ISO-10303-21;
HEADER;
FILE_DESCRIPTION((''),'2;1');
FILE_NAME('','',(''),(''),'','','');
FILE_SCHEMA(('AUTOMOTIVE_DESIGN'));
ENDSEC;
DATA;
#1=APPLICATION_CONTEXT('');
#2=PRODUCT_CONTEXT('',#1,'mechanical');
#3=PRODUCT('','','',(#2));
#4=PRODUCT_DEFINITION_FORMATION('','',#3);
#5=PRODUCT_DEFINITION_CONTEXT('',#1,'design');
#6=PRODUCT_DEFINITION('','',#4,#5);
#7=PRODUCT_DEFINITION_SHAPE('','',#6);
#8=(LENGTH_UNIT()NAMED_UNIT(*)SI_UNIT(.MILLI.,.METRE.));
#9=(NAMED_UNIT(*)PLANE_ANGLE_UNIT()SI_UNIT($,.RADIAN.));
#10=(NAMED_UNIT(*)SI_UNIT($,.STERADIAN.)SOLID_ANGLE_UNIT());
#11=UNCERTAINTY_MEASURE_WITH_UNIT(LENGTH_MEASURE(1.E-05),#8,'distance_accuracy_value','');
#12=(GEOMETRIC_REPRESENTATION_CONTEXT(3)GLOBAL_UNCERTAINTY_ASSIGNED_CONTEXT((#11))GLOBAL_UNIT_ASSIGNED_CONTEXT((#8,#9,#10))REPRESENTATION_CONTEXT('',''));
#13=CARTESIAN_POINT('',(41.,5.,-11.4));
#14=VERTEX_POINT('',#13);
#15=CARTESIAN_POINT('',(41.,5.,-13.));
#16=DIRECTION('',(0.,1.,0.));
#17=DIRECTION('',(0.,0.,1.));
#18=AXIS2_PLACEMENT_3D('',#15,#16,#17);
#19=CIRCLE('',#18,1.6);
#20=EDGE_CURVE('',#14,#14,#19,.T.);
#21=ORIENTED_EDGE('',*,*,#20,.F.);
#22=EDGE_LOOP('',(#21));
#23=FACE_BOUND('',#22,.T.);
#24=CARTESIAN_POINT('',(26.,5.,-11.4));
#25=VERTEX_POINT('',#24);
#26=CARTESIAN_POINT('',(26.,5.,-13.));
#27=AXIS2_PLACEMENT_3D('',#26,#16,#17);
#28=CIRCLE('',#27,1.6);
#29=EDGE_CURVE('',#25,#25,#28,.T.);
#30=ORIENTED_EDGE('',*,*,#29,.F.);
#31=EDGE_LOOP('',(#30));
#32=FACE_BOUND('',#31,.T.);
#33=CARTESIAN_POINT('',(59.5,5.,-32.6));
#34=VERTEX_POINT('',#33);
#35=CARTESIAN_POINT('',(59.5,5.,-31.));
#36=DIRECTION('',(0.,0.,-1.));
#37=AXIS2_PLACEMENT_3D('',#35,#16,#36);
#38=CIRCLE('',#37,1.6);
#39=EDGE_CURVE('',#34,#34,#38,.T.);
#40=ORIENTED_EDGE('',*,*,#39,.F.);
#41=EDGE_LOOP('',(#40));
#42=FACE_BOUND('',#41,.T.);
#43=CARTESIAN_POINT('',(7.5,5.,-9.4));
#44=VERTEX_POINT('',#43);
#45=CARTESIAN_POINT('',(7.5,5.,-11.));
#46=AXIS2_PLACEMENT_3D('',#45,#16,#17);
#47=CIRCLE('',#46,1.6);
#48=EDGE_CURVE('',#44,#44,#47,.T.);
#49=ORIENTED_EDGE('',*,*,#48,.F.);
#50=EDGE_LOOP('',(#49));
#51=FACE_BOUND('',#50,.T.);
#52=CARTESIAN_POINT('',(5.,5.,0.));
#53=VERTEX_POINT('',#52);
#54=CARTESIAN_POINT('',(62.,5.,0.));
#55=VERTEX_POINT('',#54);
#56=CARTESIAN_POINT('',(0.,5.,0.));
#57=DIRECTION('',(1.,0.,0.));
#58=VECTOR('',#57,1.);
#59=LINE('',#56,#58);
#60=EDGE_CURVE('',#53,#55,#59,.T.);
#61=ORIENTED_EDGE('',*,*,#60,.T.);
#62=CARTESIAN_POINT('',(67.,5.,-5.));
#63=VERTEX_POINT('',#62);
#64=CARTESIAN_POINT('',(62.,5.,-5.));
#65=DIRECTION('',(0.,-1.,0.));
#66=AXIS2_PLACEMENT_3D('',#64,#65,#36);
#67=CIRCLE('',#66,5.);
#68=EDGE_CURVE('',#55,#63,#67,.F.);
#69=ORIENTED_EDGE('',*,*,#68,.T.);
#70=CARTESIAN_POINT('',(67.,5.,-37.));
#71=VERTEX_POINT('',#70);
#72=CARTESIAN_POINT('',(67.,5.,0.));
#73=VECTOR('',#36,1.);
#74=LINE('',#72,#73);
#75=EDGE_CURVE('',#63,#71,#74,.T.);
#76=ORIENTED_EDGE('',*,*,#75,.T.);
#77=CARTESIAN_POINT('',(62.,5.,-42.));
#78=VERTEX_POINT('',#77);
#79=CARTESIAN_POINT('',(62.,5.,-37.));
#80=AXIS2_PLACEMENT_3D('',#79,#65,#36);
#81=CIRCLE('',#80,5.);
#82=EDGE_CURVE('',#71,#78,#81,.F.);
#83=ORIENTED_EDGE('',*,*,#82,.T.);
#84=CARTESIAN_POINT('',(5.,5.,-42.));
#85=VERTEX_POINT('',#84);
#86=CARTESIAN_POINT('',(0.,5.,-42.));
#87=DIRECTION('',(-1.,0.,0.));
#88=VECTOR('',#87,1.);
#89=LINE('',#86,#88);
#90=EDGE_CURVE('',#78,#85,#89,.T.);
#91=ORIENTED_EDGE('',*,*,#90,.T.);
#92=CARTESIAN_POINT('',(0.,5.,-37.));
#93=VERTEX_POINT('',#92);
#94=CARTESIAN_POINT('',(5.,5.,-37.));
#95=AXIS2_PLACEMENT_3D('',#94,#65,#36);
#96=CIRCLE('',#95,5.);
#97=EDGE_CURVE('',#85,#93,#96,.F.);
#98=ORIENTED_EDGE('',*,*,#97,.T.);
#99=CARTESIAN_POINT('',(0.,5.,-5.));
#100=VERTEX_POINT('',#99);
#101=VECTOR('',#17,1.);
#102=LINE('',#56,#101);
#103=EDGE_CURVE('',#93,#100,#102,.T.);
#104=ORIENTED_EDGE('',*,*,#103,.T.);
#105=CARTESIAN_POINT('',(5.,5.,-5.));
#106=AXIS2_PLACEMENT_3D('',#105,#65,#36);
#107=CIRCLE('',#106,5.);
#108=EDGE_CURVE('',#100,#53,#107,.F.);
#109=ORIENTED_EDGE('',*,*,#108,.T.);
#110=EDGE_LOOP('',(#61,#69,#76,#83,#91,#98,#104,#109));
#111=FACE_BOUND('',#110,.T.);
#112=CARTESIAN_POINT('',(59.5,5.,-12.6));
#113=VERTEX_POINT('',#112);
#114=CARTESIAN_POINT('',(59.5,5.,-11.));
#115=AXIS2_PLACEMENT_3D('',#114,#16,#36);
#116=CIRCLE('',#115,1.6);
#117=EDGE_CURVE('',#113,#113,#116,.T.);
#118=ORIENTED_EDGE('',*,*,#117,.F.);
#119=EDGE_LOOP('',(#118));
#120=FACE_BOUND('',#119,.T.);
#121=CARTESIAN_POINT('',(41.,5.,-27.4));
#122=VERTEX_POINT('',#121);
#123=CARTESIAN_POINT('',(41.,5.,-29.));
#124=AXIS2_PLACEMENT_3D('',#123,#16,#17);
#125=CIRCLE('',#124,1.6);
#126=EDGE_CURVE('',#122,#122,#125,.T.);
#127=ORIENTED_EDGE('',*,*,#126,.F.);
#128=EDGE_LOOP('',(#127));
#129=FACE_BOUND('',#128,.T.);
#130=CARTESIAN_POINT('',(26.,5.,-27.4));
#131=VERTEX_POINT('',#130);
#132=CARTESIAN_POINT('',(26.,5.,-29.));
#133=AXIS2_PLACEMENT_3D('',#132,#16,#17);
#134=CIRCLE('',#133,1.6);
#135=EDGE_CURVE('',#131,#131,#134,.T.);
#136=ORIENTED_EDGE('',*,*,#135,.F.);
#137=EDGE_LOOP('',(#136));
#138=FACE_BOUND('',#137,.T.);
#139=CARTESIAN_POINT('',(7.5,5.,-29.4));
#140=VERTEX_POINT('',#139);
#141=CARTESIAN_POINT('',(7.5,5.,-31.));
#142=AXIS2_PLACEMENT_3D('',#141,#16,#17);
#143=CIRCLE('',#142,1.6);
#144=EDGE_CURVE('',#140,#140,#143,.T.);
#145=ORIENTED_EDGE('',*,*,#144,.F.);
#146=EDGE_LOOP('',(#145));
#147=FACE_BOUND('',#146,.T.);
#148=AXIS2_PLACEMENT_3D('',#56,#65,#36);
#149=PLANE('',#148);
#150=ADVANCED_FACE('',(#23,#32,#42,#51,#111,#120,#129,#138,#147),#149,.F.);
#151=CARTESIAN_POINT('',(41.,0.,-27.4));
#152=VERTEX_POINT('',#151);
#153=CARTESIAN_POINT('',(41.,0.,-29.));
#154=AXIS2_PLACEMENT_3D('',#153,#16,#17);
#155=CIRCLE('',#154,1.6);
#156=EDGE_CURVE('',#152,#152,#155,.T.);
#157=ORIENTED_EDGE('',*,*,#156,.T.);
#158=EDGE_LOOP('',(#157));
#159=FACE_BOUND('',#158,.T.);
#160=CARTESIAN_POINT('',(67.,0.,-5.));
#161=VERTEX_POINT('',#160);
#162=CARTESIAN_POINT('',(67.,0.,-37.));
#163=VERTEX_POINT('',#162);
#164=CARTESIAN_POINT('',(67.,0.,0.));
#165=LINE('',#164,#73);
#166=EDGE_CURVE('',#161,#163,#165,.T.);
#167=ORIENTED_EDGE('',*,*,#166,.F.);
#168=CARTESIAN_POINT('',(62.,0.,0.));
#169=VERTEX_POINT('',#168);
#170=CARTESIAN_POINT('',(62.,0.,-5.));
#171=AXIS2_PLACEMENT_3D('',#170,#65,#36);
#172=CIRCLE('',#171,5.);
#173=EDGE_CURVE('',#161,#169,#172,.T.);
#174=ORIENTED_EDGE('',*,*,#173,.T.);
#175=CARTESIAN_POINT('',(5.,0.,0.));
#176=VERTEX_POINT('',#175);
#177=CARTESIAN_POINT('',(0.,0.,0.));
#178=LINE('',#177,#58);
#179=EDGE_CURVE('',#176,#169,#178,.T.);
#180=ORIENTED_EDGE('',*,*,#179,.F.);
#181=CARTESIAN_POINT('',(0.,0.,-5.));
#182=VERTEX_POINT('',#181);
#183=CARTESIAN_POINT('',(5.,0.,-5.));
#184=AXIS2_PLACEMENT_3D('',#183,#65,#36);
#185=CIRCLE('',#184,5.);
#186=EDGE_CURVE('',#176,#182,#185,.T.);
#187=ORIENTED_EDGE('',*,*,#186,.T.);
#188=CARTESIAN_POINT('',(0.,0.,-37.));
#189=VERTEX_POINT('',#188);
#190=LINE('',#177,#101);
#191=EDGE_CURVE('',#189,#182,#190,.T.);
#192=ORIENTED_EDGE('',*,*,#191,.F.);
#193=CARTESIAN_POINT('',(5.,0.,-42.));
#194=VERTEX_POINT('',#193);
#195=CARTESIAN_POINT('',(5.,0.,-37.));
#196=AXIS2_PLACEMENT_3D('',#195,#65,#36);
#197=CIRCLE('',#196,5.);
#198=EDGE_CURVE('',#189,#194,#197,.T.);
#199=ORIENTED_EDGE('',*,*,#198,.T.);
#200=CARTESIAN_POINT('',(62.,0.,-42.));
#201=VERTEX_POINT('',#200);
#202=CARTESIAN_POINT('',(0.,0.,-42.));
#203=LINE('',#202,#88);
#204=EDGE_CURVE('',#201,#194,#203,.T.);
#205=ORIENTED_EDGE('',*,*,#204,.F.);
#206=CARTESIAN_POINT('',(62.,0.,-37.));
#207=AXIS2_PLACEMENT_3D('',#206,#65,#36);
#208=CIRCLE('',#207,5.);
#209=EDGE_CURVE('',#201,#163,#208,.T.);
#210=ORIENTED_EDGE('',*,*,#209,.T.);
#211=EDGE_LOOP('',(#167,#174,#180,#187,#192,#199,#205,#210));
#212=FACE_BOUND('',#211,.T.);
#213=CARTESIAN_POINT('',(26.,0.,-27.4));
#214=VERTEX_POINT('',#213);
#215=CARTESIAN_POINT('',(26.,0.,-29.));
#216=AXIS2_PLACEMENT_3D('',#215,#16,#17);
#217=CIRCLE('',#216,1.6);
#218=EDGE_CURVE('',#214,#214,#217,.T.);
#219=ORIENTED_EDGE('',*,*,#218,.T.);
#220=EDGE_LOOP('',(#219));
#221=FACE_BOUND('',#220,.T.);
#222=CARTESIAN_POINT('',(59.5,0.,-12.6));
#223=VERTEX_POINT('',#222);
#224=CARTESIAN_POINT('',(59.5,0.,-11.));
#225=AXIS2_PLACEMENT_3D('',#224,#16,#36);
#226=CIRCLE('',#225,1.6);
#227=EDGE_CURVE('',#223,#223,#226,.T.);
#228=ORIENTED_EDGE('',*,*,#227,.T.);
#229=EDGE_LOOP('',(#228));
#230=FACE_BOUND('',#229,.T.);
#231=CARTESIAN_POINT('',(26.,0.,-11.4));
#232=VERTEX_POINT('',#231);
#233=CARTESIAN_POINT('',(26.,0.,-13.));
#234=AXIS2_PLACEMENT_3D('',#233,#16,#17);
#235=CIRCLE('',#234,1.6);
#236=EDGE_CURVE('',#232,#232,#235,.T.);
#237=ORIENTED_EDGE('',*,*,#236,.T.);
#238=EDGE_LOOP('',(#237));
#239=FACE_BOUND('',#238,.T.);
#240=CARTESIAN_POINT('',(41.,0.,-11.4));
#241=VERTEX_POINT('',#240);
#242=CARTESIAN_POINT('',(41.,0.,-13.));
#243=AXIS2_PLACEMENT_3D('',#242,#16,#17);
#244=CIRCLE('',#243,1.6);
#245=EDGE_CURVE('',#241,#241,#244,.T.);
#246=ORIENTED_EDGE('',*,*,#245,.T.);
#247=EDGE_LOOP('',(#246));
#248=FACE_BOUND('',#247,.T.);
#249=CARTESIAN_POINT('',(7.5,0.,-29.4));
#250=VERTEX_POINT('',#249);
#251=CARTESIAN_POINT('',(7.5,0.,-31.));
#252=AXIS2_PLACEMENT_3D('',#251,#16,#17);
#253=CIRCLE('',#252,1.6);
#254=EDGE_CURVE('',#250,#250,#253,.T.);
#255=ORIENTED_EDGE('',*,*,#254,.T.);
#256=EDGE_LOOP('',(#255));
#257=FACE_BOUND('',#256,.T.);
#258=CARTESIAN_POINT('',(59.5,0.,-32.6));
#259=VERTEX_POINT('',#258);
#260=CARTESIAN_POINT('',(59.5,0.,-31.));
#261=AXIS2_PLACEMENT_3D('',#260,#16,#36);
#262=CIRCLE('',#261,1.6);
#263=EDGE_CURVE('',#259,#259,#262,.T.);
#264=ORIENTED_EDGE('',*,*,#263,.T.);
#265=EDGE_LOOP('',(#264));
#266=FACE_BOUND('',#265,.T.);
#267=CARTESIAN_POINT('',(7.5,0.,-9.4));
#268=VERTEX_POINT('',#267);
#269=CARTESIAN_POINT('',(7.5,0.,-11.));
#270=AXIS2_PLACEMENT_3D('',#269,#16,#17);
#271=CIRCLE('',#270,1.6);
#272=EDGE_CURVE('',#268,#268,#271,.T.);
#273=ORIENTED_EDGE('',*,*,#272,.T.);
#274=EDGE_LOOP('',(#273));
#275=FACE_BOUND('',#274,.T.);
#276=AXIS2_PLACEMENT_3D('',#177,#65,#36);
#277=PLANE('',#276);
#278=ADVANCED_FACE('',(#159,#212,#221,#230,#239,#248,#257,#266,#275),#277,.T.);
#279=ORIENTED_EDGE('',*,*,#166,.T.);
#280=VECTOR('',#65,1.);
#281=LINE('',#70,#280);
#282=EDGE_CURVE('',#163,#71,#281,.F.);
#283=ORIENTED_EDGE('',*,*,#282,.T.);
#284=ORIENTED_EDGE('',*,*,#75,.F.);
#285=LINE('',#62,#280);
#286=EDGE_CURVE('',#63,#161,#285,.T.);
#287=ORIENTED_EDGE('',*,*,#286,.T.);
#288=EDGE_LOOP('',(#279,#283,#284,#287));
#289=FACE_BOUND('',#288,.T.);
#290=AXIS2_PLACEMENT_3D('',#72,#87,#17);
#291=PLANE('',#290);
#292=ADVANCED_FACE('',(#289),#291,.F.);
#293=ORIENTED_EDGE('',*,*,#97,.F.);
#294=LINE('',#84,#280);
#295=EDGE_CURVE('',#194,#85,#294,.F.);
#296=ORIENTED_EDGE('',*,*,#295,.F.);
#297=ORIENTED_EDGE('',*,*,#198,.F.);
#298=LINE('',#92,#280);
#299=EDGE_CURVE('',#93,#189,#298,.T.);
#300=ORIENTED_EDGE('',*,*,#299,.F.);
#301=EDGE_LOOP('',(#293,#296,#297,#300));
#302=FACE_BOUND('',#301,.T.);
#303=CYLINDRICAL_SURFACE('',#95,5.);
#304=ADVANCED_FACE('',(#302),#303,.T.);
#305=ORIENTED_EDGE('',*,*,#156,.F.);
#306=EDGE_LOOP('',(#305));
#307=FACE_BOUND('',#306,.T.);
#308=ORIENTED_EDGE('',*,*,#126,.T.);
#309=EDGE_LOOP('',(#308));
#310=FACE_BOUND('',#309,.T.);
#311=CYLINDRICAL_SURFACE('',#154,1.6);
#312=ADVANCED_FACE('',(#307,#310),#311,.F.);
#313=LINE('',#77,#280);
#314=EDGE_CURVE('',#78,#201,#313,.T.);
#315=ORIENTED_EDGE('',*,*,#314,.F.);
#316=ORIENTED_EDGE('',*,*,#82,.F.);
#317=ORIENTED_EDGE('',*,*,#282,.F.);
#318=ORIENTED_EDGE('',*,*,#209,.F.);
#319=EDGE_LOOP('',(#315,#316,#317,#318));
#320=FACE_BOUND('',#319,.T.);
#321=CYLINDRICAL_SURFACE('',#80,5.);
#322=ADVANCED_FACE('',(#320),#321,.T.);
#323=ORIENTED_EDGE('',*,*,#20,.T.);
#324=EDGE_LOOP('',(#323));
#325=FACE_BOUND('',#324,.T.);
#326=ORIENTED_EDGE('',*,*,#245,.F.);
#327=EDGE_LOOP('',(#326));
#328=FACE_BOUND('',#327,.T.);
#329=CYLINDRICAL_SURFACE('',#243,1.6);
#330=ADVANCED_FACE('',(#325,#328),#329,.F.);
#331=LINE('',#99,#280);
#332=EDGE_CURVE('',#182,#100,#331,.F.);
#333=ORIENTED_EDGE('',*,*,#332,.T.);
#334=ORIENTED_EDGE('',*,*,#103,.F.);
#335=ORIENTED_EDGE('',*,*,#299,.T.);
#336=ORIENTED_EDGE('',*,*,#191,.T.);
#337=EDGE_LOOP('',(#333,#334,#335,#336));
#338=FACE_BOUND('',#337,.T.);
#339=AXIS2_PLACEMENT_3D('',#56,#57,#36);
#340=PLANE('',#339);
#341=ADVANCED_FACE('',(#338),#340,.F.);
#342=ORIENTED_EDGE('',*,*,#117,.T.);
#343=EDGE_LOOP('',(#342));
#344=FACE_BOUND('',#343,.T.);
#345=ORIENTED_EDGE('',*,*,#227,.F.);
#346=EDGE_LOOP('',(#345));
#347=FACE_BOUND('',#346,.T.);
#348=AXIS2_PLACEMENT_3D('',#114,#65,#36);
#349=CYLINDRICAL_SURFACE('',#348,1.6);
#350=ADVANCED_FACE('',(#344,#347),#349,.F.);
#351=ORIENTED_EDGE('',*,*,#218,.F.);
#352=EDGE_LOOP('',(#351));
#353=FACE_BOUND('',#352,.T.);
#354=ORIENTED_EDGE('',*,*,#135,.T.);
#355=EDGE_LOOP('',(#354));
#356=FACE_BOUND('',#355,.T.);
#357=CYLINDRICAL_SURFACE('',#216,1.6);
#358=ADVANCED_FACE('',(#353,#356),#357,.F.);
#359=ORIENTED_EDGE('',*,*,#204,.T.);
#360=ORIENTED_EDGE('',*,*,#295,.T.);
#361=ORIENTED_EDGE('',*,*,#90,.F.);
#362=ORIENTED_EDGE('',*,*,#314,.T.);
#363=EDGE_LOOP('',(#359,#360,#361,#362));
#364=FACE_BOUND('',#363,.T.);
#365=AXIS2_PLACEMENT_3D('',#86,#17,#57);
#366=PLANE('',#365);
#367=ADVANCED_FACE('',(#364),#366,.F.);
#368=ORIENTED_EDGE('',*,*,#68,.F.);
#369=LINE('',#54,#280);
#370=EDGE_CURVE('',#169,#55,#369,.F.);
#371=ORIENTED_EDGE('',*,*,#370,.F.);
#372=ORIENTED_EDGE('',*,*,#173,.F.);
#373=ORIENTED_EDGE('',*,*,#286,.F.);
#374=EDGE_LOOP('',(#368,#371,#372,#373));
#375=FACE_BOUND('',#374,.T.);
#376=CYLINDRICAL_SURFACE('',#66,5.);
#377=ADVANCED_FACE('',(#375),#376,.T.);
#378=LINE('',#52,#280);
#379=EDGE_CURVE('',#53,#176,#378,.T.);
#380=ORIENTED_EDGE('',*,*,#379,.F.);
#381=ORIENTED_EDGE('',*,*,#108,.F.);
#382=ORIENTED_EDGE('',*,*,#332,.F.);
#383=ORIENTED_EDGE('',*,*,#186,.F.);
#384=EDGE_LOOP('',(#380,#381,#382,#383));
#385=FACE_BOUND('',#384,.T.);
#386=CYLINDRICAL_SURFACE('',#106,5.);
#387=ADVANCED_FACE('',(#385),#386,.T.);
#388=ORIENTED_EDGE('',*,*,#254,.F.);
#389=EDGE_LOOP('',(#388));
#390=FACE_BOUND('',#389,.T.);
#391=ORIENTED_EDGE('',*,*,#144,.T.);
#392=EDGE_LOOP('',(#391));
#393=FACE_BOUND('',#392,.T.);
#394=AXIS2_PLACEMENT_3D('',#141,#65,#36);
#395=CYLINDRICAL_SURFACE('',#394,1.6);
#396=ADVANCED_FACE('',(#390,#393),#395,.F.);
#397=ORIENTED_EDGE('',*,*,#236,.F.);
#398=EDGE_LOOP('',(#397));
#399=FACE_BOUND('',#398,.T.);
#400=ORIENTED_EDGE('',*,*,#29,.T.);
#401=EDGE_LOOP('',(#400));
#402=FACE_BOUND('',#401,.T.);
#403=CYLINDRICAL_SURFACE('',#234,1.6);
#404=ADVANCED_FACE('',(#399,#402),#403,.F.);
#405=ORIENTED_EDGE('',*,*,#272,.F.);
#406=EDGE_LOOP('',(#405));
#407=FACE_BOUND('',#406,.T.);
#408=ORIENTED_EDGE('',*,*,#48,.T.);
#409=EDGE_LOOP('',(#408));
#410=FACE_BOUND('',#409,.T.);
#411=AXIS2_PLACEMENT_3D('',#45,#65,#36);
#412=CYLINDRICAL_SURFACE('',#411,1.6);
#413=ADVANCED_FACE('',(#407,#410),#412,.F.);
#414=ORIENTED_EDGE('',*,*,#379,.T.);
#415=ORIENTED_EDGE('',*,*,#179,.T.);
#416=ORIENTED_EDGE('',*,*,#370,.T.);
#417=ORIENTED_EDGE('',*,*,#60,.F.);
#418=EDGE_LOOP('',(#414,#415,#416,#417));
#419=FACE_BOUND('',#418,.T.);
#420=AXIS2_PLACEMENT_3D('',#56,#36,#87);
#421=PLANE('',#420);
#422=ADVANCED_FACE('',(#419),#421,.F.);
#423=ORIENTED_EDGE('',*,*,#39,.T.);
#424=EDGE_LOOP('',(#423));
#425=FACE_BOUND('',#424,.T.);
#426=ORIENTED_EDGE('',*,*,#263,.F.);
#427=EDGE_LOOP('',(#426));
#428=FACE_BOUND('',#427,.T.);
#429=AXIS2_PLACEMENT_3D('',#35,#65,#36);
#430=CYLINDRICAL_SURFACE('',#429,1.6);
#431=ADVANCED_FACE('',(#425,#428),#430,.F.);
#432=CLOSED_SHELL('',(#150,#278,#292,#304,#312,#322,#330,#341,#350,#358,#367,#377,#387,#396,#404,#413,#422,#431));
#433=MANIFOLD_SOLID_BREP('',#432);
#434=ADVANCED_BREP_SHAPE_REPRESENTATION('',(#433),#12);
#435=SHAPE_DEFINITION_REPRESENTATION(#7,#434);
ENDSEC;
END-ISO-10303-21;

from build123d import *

# Parameters (mm, degrees)
SKETCH1_W           = 67
SKETCH1_H           = 42
SKETCH1_R           = 1.6
BOSS_EXTRUDE1_DEPTH = 5
SKETCH2_R           = 1.6
CUT_EXTRUDE1_DEPTH  = 6
FILLET1_R           = 5


with BuildPart() as part:
    # Sketch1 → Boss-Extrude1 (new body)
    with BuildSketch(Plane(origin=(0, 0, 0), x_dir=(1, 0, 0), z_dir=(0, 1, 0))):
        with Locations((33.5, 21)):
            Rectangle(SKETCH1_W, SKETCH1_H)
        with Locations((7.5, 31)):
            Circle(SKETCH1_R, mode=Mode.SUBTRACT)
        with Locations((7.5, 11)):
            Circle(SKETCH1_R, mode=Mode.SUBTRACT)
        with Locations((59.5, 11)):
            Circle(SKETCH1_R, mode=Mode.SUBTRACT)
        with Locations((59.5, 31)):
            Circle(SKETCH1_R, mode=Mode.SUBTRACT)
    extrude(amount=BOSS_EXTRUDE1_DEPTH)

    # Sketch2 → Cut-Extrude1 (cut, through all)
    with BuildSketch(Plane(origin=(0, 5, 0), x_dir=(1, 0, 0), z_dir=(0, 1, 0))):
        with Locations((41, 29)):
            Circle(SKETCH2_R)
        with Locations((41, 13)):
            Circle(SKETCH2_R)
        with Locations((26, 13)):
            Circle(SKETCH2_R)
        with Locations((26, 29)):
            Circle(SKETCH2_R)
    extrude(amount=-CUT_EXTRUDE1_DEPTH, mode=Mode.SUBTRACT)

    # Fillet1
    fillet1_edges = [part.edges().sort_by_distance(p)[0] for p in [
        (0, 2.5, -42),
        (67, 2.5, -42),
        (67, 2.5, 0),
        (0, 2.5, 0),
    ]]
    fillet(fillet1_edges, radius=FILLET1_R)


solid = part.part
